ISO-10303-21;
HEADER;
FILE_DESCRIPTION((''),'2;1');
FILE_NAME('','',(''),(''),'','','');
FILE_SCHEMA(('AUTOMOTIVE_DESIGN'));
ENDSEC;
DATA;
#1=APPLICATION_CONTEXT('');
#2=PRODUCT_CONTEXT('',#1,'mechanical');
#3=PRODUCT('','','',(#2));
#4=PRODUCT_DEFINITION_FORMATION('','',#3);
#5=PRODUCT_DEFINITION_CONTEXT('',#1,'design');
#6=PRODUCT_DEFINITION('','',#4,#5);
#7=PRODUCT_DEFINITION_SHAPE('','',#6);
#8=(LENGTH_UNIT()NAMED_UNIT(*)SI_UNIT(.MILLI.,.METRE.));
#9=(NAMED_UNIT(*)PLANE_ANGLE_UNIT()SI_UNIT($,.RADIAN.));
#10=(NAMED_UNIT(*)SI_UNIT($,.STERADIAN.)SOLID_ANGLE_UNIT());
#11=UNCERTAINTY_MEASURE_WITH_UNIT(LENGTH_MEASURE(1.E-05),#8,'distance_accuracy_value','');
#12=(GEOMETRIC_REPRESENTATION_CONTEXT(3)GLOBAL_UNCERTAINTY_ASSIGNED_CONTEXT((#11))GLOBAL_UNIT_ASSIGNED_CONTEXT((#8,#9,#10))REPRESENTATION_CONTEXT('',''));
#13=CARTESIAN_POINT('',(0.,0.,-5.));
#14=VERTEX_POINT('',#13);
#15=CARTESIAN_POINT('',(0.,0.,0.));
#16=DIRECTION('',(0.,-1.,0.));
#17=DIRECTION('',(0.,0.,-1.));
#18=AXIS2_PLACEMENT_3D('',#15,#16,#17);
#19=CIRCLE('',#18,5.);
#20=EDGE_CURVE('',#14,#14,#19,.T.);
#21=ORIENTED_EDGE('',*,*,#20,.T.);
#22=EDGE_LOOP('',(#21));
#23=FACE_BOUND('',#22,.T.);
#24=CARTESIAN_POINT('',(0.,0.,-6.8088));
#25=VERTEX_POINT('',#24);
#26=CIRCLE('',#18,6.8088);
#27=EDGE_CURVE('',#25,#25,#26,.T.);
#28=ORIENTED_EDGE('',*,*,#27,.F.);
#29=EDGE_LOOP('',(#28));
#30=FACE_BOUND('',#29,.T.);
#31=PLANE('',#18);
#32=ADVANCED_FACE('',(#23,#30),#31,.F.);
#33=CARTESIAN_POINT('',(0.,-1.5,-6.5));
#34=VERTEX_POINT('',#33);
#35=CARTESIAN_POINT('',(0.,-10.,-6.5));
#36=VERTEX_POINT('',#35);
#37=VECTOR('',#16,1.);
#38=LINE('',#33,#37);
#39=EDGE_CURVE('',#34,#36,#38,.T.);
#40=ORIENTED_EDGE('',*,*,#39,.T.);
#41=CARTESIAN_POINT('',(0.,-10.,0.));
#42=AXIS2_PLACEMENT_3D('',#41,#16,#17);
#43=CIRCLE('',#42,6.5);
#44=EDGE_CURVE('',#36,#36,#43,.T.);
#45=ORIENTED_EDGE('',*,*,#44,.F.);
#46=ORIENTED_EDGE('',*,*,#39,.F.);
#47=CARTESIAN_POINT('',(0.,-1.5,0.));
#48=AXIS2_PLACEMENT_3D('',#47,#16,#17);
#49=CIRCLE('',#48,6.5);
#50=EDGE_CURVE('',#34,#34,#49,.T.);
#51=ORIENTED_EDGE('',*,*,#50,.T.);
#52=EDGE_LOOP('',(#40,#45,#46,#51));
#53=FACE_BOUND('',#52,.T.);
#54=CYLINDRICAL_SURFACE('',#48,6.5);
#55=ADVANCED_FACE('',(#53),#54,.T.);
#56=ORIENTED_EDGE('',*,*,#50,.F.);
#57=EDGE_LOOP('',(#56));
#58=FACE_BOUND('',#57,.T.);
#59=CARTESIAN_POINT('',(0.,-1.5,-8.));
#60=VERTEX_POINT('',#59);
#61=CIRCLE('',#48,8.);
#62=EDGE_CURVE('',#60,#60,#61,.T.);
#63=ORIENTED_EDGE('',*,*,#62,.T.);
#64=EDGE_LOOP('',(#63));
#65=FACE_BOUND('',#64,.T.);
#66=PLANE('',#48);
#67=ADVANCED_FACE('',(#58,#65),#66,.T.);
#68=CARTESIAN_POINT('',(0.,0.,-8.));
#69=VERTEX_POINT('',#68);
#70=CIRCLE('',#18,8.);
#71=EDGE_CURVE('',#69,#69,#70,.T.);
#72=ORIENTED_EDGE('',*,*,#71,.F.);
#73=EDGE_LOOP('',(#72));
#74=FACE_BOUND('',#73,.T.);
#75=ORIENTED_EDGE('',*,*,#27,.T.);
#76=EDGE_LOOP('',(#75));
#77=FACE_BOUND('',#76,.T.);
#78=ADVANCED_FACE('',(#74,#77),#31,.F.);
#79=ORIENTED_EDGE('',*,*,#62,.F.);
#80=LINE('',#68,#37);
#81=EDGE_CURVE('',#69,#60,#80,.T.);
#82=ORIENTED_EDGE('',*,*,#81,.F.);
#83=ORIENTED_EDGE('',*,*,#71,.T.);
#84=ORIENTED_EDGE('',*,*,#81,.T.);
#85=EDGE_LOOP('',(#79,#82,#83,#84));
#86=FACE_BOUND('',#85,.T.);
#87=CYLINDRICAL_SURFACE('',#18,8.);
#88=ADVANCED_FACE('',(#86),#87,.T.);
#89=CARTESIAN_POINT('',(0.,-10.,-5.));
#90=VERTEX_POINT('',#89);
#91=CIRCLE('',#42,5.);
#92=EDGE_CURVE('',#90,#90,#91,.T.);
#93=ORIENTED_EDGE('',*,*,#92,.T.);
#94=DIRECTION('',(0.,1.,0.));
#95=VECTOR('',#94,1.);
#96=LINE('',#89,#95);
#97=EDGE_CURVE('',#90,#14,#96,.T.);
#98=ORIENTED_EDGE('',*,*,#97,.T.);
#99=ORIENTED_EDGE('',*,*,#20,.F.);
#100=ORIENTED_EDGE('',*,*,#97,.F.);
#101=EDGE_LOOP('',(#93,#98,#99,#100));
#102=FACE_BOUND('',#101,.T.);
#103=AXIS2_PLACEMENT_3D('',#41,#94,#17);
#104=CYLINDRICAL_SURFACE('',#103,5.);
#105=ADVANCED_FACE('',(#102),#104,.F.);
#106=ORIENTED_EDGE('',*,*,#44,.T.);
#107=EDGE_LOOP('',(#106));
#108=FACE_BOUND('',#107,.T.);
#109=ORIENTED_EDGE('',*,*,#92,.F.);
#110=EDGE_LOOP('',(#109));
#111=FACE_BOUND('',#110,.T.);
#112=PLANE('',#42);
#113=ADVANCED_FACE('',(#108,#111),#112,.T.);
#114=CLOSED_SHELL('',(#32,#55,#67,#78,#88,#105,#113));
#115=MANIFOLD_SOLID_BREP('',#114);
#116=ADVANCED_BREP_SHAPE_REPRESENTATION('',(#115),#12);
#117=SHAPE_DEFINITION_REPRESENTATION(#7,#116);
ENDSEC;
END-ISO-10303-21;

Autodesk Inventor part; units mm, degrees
ref_plane "YZ Plane" through (0, 0, 0) normal (1, 0, 0) x (0, 1, 0)
ref_plane "XZ Plane" through (0, 0, 0) normal (0, 1, 0) x (-1, 0, 0)
ref_plane "XY Plane" through (0, 0, 0) normal (0, 0, 1) x (1, 0, 0)
sketch "Sketch1" plane through (0, 0, 0) normal (1, 0, 0) x (0, 1, 0)
  line L0 (0, -5) -> (0, -8)
  line L1 (0, -8) -> (-1.5, -8)
  line L2 (-1.5, -8) -> (-1.5, -6.5)
  line L3 (-1.5, -6.5) -> (-10, -6.5)
  line L4 (-10, -6.5) -> (-10, -5)
  line L5 (-10, -5) -> (0, -5)
  line L6 (0, 5.637) -> (0, -6.8088)
  line L7 (5.7696, 0) -> (-13.4996, 0)
  point P0 (0, 0)
  point P1 (0, -0.5859)
  dimension "d0" = 5
  dimension "d2" = 1.5
  dimension "d3" = 10
  dimension "d4" = 1.5
  dimension "d5" = 8
revolve "Revolution1" add sketch "Sketch1" angle 360 about axis through (0, 5.7696, 0) along (0, -1, 0)
equation "\"d2\" = d4"
properties part number "Flange_Sleeve_Bearing_5448T5" material "Bronze, Cast"
